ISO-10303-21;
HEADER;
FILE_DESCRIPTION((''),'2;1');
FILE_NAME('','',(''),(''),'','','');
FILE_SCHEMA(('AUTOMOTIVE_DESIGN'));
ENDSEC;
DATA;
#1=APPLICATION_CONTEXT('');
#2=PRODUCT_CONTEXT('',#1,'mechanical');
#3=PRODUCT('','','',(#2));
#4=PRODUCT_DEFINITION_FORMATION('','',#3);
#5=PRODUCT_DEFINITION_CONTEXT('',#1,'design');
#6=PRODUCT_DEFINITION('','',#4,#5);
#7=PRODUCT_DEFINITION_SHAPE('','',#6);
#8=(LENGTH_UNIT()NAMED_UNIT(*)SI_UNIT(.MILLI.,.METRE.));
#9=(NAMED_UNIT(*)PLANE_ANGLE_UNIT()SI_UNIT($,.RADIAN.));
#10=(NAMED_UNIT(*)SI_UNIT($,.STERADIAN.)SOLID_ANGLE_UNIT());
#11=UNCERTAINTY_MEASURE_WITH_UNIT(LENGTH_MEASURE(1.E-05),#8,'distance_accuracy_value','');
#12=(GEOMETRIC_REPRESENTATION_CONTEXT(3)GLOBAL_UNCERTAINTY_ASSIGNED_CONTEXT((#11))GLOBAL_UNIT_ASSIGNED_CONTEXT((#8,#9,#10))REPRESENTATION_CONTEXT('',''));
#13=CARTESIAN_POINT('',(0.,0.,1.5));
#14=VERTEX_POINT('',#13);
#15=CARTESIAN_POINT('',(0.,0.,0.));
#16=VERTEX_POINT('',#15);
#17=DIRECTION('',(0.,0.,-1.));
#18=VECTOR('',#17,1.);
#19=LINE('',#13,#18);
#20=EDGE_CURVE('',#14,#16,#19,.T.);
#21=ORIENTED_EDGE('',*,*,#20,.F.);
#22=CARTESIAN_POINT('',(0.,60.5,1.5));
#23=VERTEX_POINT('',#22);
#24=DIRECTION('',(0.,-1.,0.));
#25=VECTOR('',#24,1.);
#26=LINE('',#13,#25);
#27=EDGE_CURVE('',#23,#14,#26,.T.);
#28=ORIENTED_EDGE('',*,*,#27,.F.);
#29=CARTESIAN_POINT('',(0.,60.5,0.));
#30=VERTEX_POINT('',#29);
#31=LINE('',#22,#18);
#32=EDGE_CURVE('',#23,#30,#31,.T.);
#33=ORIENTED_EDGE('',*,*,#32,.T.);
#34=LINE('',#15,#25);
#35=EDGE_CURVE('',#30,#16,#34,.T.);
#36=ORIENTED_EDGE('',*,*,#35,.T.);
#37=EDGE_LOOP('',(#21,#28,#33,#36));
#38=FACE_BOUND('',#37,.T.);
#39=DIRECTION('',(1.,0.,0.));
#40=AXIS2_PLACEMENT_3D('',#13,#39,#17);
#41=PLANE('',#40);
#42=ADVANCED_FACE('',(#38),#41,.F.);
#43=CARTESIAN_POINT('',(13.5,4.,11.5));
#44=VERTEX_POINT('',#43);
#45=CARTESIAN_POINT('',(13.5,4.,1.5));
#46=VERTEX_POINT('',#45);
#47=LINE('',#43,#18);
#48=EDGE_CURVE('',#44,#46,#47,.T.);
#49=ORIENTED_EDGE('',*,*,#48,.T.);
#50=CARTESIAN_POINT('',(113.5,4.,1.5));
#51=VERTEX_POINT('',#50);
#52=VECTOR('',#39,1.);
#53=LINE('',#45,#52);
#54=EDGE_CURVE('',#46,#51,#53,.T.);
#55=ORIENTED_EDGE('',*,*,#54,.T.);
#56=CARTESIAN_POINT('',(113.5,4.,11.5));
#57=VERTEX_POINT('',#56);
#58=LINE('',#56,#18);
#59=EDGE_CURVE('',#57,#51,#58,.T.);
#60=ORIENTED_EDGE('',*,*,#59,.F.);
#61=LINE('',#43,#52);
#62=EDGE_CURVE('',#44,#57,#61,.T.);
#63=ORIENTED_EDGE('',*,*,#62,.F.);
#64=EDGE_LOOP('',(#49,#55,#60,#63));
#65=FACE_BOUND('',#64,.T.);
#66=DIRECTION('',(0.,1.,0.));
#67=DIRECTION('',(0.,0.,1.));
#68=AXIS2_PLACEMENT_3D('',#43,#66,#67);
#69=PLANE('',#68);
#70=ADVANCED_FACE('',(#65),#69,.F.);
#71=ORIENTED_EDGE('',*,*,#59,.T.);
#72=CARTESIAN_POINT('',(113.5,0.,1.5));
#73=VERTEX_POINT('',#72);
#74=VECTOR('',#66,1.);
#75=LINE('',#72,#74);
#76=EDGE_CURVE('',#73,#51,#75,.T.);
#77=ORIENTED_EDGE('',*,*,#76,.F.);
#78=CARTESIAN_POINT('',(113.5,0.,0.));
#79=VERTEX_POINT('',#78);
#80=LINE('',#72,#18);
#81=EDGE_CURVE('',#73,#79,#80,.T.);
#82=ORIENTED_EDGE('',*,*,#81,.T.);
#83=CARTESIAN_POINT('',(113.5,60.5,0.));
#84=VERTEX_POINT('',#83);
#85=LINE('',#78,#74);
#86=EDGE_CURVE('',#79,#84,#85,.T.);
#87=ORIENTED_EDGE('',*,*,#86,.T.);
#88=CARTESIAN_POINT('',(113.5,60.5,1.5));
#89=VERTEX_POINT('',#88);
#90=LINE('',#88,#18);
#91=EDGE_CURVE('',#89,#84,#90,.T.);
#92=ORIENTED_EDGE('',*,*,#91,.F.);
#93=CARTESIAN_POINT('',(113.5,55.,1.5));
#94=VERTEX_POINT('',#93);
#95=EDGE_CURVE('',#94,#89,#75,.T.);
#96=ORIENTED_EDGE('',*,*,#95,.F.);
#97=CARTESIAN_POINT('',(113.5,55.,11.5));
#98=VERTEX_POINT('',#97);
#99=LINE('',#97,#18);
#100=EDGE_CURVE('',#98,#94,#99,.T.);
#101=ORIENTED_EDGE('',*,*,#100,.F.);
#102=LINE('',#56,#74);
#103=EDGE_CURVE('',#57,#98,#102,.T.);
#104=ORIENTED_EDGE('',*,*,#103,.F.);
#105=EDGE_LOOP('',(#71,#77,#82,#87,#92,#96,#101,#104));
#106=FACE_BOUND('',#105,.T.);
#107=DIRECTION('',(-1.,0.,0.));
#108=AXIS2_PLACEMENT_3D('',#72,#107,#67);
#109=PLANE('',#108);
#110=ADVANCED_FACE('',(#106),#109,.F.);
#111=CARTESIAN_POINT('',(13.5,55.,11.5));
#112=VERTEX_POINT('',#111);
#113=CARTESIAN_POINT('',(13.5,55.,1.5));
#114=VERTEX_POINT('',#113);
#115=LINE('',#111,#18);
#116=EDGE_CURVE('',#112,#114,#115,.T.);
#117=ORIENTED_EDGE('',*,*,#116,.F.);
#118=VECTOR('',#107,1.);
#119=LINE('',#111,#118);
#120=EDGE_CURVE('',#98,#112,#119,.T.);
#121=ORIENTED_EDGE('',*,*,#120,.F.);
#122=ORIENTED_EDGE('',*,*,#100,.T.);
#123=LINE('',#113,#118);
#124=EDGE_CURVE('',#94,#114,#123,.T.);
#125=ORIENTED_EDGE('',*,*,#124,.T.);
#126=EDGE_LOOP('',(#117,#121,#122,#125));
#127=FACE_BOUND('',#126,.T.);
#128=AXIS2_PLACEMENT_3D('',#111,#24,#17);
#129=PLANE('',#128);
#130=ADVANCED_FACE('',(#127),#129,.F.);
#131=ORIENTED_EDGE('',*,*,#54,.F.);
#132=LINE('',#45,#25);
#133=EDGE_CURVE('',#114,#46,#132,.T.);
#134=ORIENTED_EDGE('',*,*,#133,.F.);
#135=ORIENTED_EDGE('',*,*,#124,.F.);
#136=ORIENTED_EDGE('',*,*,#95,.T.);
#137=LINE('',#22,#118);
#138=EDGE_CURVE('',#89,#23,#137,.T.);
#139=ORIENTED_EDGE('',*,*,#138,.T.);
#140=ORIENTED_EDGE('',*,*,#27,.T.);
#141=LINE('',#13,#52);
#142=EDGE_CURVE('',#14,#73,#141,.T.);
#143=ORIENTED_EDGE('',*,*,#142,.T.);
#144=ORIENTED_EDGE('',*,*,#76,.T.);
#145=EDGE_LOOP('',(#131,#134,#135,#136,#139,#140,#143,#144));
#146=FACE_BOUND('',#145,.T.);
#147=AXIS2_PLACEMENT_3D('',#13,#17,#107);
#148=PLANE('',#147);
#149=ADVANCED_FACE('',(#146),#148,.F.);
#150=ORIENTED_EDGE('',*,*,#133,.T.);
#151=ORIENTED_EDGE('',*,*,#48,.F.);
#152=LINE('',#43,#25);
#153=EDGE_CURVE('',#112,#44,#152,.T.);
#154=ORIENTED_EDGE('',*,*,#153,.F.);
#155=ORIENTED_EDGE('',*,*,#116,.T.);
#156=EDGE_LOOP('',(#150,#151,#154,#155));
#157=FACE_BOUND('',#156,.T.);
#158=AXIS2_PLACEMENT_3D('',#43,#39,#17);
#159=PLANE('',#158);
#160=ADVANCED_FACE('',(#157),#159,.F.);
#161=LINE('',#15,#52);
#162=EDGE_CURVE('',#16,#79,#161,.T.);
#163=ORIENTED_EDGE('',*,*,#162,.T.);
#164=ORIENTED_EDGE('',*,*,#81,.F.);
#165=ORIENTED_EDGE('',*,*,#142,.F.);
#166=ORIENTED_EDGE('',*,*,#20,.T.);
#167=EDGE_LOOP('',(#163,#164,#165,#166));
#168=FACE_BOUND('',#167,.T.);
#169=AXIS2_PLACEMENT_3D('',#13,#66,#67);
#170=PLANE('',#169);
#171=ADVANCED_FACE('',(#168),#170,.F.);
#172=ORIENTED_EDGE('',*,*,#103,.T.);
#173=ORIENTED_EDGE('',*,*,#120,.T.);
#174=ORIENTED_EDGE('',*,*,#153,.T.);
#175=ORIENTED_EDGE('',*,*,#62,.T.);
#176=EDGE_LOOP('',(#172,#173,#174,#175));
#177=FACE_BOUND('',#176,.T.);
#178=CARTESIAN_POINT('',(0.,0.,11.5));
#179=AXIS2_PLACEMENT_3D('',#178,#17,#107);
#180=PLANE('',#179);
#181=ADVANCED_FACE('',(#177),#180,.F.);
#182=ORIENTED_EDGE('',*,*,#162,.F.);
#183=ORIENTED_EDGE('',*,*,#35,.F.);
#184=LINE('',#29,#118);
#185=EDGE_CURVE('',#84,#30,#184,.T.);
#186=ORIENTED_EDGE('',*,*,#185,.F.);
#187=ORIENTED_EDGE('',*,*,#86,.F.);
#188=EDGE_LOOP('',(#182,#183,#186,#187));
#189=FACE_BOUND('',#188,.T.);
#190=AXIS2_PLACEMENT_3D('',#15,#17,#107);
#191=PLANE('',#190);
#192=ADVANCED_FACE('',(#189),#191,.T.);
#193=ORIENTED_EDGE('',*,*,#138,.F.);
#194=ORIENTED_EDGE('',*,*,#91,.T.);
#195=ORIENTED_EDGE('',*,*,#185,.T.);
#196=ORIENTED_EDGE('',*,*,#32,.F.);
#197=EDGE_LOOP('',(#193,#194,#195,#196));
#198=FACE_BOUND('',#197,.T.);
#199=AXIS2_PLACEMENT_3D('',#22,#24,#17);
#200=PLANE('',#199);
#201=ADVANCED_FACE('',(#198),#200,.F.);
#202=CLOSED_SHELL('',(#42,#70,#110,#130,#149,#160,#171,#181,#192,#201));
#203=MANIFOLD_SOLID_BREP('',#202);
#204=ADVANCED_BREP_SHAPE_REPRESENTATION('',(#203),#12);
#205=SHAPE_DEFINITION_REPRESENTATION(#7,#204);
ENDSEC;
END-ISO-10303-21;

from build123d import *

# Parameters (mm, degrees)
ESQUISSE1_W        = 113.5
ESQUISSE1_H        = 60.5
BOSS_EXTRU_1_DEPTH = 1.5
ESQUISSE2_W        = 100
ESQUISSE2_H        = 51
BOSS_EXTRU_2_DEPTH = 10


with BuildPart() as part:
    # Esquisse1 → Boss.-Extru.1 (new body)
    with BuildSketch(Plane.XY):
        with Locations((56.75, 30.25)):
            Rectangle(ESQUISSE1_W, ESQUISSE1_H)
    extrude(amount=BOSS_EXTRU_1_DEPTH)

    # Esquisse2 → Boss.-Extru.2 (add)
    with BuildSketch(Plane.XY.offset(1.5)):
        with Locations((63.5, 29.5)):
            Rectangle(ESQUISSE2_W, ESQUISSE2_H)
    extrude(amount=BOSS_EXTRU_2_DEPTH)


solid = part.part
